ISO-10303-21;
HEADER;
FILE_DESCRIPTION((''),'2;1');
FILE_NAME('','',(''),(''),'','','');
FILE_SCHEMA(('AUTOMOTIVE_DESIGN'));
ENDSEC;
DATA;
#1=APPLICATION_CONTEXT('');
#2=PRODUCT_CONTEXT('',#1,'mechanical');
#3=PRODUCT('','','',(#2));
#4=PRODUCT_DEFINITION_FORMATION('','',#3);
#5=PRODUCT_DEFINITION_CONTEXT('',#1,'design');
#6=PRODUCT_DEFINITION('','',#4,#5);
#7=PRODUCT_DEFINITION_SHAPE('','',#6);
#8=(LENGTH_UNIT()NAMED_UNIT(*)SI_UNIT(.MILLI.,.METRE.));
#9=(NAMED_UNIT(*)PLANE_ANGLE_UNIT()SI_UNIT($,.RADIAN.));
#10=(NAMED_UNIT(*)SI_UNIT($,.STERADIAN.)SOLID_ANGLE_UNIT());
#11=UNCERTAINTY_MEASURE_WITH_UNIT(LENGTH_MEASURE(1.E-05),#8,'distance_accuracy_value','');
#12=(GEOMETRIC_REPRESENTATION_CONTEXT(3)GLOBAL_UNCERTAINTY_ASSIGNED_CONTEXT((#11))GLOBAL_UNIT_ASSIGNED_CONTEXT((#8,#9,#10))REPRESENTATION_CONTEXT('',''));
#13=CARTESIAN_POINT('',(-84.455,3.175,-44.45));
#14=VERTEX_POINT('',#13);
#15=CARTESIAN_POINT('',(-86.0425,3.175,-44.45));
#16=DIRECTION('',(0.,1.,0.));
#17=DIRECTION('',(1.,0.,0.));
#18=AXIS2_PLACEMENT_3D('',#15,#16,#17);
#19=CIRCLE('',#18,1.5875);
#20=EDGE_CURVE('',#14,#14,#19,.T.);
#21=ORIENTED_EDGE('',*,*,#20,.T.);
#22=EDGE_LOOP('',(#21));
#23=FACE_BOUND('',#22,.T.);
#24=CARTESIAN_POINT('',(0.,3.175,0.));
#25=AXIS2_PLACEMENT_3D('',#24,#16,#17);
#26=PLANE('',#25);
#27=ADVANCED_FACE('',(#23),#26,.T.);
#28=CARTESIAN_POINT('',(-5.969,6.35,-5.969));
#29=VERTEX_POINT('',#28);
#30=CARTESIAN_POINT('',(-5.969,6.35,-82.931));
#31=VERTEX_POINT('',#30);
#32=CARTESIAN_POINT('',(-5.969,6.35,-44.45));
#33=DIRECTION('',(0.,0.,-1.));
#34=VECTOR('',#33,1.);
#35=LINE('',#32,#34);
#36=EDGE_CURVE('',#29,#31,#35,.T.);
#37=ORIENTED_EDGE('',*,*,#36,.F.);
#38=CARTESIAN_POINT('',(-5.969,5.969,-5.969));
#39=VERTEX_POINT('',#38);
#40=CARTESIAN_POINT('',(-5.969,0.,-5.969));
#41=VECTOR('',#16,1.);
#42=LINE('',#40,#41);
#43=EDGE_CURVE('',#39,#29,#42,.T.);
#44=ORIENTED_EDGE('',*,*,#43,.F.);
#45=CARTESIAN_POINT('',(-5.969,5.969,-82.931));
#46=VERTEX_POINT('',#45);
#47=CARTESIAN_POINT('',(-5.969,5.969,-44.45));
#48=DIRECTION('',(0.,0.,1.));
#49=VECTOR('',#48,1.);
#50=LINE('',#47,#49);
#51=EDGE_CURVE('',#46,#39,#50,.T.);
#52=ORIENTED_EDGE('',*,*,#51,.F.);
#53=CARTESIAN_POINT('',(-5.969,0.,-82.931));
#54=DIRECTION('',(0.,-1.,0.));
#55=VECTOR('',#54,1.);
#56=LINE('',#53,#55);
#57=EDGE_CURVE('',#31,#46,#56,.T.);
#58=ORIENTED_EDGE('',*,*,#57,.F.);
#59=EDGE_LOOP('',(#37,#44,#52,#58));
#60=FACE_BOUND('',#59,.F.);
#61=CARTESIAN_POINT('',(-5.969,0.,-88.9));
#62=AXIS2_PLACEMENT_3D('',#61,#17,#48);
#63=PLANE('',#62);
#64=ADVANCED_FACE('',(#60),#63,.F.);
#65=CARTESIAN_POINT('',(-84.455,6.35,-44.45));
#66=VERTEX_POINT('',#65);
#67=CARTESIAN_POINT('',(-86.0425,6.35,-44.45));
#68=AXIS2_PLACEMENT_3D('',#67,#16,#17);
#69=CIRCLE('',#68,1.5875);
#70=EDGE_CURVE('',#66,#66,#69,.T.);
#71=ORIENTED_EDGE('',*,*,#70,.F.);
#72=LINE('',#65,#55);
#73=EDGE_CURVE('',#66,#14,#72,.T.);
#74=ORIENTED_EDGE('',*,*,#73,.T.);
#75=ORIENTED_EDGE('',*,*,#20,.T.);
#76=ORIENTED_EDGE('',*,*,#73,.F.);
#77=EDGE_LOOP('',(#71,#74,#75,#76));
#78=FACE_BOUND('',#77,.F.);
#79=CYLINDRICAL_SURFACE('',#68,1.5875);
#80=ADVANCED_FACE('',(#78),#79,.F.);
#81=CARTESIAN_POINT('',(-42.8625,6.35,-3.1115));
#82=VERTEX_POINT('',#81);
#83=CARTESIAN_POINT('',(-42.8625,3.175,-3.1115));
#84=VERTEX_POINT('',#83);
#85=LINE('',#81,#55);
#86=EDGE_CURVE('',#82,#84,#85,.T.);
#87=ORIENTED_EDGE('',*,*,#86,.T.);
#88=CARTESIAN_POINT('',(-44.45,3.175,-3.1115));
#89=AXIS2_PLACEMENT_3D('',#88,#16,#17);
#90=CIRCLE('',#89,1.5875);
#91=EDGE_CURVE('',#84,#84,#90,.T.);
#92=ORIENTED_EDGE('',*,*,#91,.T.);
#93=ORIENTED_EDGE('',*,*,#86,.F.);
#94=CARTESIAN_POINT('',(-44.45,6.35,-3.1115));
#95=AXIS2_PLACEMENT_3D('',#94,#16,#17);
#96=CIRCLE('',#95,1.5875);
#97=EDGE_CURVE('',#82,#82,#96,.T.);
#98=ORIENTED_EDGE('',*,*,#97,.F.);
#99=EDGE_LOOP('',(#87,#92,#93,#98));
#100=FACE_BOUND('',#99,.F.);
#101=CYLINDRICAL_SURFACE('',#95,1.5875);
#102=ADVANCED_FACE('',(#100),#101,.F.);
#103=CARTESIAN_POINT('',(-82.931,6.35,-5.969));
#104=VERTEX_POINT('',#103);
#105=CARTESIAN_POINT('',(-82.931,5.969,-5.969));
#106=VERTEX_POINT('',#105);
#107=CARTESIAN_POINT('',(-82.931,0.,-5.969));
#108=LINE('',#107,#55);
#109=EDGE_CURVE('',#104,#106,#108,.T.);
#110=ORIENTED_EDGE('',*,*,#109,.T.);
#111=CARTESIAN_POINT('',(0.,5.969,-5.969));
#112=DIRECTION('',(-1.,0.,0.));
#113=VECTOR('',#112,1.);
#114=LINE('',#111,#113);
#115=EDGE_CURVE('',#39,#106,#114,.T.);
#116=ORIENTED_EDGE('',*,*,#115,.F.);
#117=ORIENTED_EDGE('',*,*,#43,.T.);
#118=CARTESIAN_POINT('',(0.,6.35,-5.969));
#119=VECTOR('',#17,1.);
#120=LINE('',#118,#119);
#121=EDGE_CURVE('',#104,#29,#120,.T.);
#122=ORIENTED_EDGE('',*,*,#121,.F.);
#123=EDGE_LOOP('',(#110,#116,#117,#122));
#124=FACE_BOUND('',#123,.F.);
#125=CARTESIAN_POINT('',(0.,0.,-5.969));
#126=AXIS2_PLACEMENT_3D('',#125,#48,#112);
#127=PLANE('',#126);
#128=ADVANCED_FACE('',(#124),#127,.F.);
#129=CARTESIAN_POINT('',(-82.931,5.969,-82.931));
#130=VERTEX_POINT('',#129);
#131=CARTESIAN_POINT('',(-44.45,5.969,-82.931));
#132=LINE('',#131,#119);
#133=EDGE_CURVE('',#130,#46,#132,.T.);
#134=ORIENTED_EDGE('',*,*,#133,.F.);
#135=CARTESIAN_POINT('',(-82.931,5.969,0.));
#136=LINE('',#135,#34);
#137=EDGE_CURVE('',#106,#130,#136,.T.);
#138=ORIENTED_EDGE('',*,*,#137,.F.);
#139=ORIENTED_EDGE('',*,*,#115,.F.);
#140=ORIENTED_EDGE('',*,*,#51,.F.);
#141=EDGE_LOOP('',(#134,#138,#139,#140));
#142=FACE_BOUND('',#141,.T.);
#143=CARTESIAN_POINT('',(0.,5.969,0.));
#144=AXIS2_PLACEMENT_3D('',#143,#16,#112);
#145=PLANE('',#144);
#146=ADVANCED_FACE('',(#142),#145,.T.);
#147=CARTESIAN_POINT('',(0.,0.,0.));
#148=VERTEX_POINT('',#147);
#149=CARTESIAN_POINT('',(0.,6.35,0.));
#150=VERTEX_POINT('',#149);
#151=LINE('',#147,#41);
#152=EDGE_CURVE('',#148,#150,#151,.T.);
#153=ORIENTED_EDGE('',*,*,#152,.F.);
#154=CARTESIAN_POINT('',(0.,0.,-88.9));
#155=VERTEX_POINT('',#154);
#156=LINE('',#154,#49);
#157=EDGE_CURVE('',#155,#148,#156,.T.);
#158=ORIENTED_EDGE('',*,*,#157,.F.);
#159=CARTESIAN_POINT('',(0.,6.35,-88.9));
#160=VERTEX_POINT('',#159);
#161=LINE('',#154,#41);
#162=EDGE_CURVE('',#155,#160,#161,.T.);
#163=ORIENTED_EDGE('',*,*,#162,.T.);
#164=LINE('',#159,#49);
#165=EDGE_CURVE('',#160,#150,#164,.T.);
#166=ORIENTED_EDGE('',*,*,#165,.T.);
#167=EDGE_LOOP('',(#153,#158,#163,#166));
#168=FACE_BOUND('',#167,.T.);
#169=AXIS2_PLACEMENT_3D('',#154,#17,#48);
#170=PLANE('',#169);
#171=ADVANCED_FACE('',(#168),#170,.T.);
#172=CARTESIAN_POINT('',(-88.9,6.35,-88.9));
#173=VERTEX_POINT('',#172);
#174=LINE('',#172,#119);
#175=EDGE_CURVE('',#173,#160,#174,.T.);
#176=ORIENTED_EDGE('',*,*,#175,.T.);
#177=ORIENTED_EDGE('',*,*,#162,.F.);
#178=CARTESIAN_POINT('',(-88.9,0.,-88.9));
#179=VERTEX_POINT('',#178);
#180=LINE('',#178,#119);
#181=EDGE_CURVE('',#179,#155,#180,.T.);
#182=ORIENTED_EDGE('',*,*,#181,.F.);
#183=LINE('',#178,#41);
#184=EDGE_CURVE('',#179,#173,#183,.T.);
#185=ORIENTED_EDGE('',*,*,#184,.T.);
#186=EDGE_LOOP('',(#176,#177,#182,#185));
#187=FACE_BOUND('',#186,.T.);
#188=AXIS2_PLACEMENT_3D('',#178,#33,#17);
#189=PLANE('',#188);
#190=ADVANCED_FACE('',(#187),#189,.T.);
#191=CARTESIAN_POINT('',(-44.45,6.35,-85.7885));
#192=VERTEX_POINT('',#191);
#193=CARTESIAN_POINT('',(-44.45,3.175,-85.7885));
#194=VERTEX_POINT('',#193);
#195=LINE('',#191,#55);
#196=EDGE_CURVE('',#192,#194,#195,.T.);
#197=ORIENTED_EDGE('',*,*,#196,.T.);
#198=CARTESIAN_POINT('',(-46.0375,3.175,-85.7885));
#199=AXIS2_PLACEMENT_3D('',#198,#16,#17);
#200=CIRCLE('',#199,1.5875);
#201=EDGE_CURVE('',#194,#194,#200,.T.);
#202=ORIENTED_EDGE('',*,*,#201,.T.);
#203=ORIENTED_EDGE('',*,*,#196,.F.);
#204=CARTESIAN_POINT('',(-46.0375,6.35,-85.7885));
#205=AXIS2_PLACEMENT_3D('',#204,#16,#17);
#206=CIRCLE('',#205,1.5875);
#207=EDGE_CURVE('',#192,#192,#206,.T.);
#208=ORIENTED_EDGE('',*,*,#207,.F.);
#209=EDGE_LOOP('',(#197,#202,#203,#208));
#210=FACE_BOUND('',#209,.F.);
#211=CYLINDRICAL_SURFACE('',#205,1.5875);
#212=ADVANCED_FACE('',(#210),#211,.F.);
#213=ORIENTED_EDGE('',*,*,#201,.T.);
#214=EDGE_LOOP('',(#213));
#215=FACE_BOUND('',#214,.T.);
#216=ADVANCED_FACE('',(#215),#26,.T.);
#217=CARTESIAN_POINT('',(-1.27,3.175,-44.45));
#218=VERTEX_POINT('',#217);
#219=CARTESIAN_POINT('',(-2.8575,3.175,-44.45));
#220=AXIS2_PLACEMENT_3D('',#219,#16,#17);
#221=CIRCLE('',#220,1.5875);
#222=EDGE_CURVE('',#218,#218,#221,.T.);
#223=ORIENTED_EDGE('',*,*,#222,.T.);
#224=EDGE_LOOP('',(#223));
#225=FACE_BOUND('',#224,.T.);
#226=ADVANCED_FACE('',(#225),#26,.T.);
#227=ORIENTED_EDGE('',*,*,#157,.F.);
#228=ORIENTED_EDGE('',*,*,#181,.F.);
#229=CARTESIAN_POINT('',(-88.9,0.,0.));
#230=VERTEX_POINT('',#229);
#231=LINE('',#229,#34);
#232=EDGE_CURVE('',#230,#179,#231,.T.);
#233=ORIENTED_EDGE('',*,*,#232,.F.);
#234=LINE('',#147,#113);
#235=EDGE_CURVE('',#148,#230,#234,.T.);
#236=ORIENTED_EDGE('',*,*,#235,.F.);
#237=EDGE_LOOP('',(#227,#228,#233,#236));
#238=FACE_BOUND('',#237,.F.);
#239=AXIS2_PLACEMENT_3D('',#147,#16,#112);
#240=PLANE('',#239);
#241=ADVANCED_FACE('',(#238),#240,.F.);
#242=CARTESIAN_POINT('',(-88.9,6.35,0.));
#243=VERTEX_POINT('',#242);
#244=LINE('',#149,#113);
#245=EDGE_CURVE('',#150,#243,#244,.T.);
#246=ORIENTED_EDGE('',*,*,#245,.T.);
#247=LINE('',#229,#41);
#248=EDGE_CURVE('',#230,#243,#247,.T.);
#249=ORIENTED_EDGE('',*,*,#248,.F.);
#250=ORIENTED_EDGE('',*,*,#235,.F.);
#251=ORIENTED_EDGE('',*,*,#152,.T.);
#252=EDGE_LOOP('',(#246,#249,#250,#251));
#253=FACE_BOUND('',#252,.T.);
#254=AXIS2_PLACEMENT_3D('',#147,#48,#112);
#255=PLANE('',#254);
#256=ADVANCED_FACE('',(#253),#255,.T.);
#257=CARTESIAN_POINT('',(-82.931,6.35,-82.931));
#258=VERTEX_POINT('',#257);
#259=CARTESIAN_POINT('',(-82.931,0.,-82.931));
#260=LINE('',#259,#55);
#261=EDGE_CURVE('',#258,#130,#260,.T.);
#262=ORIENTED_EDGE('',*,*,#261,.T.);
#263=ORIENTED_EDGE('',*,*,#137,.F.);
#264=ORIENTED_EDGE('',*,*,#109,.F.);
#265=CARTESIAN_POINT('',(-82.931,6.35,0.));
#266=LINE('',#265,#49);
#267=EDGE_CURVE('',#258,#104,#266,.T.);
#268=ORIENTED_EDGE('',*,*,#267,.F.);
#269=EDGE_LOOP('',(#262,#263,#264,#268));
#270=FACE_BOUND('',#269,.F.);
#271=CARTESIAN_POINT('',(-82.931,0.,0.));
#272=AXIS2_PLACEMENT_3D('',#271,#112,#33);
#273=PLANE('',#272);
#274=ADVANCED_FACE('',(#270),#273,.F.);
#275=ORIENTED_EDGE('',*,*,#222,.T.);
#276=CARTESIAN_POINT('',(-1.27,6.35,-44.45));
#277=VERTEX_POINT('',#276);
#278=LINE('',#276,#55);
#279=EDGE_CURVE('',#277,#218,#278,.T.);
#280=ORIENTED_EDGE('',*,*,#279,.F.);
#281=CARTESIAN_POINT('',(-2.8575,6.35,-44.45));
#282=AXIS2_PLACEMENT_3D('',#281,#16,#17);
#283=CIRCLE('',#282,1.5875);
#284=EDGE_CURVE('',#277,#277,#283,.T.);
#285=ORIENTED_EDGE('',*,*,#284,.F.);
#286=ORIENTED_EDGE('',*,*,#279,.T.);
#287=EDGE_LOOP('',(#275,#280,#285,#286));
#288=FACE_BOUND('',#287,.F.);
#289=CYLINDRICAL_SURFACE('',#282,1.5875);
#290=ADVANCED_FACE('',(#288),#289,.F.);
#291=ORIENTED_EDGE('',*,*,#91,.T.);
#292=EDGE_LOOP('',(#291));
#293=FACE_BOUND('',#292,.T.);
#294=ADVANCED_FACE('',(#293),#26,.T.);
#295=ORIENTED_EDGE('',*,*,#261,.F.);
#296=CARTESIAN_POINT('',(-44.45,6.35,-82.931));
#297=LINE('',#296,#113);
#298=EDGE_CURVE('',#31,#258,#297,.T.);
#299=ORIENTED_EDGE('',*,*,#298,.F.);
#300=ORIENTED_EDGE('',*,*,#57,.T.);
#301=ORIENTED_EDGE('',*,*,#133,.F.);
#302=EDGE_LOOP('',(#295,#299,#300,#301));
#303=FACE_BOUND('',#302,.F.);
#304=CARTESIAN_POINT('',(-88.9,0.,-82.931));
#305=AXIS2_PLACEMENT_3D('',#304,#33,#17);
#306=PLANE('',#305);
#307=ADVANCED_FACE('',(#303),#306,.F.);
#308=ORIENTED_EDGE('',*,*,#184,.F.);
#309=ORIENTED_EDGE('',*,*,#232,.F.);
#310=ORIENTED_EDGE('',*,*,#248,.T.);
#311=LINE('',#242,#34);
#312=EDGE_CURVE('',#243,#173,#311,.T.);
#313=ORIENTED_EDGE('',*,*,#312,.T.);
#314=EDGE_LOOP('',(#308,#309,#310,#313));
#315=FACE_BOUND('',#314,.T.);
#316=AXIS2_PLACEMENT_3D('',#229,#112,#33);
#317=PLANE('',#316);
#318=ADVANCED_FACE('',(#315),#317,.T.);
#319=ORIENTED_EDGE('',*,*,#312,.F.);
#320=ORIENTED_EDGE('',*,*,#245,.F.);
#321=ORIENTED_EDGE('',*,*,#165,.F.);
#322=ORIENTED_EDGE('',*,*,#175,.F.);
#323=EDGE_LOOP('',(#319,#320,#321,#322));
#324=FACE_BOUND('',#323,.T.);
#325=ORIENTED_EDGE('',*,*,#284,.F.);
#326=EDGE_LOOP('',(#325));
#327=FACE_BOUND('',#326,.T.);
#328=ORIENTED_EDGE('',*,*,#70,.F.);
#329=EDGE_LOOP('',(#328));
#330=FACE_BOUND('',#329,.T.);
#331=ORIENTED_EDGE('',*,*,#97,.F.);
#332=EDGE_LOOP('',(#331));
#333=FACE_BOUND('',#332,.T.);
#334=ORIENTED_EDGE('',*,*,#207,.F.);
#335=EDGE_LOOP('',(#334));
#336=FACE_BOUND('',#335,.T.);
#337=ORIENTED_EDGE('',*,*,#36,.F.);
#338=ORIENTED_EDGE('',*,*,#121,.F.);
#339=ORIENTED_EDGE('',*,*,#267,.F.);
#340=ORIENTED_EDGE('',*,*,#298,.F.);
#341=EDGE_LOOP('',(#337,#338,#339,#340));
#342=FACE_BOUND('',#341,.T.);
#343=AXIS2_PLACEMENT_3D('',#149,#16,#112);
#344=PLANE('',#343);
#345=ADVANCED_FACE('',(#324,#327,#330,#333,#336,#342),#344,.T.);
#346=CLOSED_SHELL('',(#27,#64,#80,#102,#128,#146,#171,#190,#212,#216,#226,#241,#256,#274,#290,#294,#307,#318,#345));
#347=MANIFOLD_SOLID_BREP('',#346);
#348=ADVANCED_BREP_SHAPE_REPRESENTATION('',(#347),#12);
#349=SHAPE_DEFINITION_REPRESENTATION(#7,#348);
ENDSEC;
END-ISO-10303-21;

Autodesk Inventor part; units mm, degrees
ref_plane "YZ Plane" through (0, 0, 0) normal (1, 0, 0) x (0, 1, 0)
ref_plane "XZ Plane" through (0, 0, 0) normal (0, 1, 0) x (-1, 0, 0)
ref_plane "XY Plane" through (0, 0, 0) normal (0, 0, 1) x (1, 0, 0)
sketch "Sketch1" plane through (0, 0, 0) normal (0, 1, 0) x (-1, 0, 0)
  line L0 (0, 0) -> (88.9, 0)
  line L1 (88.9, 0) -> (88.9, -88.9)
  line L2 (88.9, -88.9) -> (0, -88.9)
  line L3 (0, -88.9) -> (0, 0)
  dimension "d0" = 88.9
  dimension "d1" = 88.9
extrude "Extrusion1" add sketch "Sketch1" along normal blind 6.35
shell "Shell1" thickness 5.969 removed faces 1 at (-29.6333, 6.35, -29.6333)
sketch "Sketch2" plane through (0, 6.35, 0) normal (0, 1, 0) x (1, 0, 0)
  circle A0 centre (-44.45, 3.1115) radius 1.5875
  line L0 (-88.9, 88.9) -> (-88.9, 0) projected
  line L1 (-5.969, 5.969) -> (-82.931, 5.969) projected
  circle A1 centre (-86.0425, 44.45) radius 1.5875
  line L2 (-88.9, 0) -> (0, 0) projected
  circle A2 centre (-2.8575, 44.45) radius 1.5875
  line L3 (0, 0) -> (0, 88.9) projected
  circle A3 centre (-46.0375, 85.7885) radius 1.5875
  line L4 (-82.931, 82.931) -> (-5.969, 82.931) projected
  dimension "d8" = 3.175
  dimension "d10" = 2.8575
  dimension "d11" = 3.175
  dimension "d12" = 2.8575
  dimension "d13" = 44.45
  dimension "d14" = 3.175
  dimension "d15" = 2.8575
  dimension "d16" = 3.175
  dimension "d17" = 2.8575
extrude "Extrusion2" cut sketch "Sketch2" against normal blind 3.175
properties part number "bottom plate"
